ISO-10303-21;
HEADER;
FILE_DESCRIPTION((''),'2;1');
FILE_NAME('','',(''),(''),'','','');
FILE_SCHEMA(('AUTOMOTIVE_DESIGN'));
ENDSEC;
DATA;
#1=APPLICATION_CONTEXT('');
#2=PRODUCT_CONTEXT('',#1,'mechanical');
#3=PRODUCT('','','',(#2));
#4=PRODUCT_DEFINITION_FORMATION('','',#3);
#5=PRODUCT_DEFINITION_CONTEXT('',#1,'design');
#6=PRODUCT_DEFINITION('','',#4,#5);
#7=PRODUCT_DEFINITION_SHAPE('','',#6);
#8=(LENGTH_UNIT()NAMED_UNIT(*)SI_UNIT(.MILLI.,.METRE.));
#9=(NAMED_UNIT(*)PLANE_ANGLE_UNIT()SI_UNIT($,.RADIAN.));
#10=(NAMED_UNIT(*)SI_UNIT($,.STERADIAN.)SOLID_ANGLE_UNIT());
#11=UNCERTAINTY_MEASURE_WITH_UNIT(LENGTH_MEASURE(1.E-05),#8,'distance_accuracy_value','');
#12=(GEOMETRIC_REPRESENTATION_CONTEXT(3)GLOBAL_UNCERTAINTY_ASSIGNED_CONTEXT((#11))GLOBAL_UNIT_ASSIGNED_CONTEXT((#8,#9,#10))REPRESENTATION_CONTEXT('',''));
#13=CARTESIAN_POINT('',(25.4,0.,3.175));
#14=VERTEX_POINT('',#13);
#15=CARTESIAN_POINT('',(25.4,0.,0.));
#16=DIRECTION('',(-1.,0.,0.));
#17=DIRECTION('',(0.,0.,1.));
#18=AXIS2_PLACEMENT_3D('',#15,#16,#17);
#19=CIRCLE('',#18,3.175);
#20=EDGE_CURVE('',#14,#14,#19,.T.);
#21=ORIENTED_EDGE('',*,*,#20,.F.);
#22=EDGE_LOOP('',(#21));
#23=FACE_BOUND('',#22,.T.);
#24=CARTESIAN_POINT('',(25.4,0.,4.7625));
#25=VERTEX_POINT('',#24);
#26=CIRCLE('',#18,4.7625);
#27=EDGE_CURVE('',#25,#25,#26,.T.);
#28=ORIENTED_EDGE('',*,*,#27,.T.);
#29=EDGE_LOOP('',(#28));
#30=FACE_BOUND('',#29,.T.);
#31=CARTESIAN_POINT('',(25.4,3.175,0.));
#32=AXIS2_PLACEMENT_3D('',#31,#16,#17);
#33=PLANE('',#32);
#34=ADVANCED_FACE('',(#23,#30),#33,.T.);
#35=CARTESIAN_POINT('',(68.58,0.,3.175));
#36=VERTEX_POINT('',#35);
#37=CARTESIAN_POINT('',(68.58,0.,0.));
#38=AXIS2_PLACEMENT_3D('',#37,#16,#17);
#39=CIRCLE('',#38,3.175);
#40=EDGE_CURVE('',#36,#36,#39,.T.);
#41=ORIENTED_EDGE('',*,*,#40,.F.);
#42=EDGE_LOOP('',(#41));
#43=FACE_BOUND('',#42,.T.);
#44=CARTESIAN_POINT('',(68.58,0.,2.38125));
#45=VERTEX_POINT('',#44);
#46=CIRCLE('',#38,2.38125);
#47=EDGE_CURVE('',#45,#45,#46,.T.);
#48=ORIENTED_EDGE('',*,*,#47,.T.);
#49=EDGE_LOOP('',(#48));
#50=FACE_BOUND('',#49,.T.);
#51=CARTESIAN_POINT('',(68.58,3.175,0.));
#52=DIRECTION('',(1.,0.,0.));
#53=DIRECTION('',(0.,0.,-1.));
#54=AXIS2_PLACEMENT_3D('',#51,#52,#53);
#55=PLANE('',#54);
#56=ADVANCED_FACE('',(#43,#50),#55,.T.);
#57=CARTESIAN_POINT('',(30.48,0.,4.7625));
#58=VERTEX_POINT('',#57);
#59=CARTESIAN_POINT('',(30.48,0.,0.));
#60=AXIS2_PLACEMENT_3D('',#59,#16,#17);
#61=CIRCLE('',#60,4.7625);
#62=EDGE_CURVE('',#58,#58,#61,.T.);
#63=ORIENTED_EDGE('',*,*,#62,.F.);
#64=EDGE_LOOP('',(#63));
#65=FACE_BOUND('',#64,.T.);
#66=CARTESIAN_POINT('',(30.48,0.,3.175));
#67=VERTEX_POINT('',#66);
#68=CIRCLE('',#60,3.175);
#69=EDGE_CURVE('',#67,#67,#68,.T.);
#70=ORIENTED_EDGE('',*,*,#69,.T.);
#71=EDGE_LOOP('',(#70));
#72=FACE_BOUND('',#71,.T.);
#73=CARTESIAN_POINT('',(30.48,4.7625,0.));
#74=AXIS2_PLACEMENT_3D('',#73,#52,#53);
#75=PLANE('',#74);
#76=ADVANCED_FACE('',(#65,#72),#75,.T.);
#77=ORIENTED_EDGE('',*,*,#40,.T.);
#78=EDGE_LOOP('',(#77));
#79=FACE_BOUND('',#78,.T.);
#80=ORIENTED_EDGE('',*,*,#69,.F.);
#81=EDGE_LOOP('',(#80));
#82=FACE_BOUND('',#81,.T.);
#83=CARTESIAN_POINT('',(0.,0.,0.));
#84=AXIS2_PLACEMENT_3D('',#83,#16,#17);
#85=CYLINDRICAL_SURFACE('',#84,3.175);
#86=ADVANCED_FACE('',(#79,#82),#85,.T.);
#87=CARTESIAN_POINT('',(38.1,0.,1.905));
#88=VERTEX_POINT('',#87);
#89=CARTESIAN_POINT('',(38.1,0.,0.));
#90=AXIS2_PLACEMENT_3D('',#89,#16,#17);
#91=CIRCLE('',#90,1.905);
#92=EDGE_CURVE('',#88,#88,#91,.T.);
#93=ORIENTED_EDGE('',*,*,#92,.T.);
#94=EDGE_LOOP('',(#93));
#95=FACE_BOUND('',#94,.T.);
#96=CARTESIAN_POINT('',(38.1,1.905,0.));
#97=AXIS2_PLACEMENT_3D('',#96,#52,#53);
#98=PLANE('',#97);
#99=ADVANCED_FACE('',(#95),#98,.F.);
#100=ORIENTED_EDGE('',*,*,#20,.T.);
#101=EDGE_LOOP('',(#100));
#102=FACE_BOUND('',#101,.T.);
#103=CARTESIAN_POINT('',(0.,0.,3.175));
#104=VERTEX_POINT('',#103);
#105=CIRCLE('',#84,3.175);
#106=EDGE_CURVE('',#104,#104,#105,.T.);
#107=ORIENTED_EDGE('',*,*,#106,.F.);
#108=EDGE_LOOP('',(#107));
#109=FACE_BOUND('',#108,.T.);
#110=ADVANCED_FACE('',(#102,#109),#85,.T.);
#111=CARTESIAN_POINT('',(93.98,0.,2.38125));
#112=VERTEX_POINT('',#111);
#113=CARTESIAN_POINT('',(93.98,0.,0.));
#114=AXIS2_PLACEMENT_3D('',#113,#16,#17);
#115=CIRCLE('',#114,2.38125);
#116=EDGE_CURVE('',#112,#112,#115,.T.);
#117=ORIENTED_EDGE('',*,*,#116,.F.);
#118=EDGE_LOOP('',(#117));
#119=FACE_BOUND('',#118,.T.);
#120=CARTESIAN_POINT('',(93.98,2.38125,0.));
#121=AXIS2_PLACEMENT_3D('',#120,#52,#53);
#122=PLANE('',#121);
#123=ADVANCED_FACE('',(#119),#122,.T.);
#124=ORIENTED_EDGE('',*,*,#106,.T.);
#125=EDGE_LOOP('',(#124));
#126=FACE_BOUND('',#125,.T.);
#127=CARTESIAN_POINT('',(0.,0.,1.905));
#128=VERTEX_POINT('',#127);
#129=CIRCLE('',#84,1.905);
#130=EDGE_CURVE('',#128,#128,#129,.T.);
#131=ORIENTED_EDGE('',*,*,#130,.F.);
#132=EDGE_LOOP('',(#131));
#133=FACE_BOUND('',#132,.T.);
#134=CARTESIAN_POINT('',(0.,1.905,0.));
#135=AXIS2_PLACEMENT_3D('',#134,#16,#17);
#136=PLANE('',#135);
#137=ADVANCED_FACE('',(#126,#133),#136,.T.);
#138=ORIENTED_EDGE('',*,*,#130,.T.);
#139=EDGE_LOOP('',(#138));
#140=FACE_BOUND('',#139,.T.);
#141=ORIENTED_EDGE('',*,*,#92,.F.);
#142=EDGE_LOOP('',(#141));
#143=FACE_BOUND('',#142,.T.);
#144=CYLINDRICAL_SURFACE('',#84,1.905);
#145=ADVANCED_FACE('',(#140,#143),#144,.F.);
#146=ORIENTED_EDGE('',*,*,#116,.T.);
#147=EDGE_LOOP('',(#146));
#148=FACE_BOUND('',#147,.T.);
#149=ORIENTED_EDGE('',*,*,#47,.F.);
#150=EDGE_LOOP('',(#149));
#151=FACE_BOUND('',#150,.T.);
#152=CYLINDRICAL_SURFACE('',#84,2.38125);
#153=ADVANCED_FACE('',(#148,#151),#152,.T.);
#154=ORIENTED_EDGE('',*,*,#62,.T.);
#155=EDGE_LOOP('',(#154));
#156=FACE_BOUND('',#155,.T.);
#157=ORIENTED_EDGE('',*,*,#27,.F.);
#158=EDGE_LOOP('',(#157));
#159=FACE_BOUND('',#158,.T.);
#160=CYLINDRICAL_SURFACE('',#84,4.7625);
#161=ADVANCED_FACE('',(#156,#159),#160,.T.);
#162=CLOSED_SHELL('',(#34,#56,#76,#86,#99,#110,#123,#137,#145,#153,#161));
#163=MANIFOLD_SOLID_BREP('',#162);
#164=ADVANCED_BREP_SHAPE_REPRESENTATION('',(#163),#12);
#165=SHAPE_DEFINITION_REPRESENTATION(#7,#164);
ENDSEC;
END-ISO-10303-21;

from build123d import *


with BuildPart() as part:
    # Sketch1 → Revolve1 (revolve)
    with BuildSketch(Plane.XY):
        Polygon((0, 1.905), (38.1, 1.905), (38.1, 0), (93.98, 0), (93.98, 2.38125), (68.58, 2.38125), (68.58, 3.175), (30.48, 3.175), (30.48, 4.7625), (25.4, 4.7625), (25.4, 3.175), (0, 3.175), align=None)
    revolve(axis=Axis((0, 0, 0), (1, 0, 0)))


solid = part.part
